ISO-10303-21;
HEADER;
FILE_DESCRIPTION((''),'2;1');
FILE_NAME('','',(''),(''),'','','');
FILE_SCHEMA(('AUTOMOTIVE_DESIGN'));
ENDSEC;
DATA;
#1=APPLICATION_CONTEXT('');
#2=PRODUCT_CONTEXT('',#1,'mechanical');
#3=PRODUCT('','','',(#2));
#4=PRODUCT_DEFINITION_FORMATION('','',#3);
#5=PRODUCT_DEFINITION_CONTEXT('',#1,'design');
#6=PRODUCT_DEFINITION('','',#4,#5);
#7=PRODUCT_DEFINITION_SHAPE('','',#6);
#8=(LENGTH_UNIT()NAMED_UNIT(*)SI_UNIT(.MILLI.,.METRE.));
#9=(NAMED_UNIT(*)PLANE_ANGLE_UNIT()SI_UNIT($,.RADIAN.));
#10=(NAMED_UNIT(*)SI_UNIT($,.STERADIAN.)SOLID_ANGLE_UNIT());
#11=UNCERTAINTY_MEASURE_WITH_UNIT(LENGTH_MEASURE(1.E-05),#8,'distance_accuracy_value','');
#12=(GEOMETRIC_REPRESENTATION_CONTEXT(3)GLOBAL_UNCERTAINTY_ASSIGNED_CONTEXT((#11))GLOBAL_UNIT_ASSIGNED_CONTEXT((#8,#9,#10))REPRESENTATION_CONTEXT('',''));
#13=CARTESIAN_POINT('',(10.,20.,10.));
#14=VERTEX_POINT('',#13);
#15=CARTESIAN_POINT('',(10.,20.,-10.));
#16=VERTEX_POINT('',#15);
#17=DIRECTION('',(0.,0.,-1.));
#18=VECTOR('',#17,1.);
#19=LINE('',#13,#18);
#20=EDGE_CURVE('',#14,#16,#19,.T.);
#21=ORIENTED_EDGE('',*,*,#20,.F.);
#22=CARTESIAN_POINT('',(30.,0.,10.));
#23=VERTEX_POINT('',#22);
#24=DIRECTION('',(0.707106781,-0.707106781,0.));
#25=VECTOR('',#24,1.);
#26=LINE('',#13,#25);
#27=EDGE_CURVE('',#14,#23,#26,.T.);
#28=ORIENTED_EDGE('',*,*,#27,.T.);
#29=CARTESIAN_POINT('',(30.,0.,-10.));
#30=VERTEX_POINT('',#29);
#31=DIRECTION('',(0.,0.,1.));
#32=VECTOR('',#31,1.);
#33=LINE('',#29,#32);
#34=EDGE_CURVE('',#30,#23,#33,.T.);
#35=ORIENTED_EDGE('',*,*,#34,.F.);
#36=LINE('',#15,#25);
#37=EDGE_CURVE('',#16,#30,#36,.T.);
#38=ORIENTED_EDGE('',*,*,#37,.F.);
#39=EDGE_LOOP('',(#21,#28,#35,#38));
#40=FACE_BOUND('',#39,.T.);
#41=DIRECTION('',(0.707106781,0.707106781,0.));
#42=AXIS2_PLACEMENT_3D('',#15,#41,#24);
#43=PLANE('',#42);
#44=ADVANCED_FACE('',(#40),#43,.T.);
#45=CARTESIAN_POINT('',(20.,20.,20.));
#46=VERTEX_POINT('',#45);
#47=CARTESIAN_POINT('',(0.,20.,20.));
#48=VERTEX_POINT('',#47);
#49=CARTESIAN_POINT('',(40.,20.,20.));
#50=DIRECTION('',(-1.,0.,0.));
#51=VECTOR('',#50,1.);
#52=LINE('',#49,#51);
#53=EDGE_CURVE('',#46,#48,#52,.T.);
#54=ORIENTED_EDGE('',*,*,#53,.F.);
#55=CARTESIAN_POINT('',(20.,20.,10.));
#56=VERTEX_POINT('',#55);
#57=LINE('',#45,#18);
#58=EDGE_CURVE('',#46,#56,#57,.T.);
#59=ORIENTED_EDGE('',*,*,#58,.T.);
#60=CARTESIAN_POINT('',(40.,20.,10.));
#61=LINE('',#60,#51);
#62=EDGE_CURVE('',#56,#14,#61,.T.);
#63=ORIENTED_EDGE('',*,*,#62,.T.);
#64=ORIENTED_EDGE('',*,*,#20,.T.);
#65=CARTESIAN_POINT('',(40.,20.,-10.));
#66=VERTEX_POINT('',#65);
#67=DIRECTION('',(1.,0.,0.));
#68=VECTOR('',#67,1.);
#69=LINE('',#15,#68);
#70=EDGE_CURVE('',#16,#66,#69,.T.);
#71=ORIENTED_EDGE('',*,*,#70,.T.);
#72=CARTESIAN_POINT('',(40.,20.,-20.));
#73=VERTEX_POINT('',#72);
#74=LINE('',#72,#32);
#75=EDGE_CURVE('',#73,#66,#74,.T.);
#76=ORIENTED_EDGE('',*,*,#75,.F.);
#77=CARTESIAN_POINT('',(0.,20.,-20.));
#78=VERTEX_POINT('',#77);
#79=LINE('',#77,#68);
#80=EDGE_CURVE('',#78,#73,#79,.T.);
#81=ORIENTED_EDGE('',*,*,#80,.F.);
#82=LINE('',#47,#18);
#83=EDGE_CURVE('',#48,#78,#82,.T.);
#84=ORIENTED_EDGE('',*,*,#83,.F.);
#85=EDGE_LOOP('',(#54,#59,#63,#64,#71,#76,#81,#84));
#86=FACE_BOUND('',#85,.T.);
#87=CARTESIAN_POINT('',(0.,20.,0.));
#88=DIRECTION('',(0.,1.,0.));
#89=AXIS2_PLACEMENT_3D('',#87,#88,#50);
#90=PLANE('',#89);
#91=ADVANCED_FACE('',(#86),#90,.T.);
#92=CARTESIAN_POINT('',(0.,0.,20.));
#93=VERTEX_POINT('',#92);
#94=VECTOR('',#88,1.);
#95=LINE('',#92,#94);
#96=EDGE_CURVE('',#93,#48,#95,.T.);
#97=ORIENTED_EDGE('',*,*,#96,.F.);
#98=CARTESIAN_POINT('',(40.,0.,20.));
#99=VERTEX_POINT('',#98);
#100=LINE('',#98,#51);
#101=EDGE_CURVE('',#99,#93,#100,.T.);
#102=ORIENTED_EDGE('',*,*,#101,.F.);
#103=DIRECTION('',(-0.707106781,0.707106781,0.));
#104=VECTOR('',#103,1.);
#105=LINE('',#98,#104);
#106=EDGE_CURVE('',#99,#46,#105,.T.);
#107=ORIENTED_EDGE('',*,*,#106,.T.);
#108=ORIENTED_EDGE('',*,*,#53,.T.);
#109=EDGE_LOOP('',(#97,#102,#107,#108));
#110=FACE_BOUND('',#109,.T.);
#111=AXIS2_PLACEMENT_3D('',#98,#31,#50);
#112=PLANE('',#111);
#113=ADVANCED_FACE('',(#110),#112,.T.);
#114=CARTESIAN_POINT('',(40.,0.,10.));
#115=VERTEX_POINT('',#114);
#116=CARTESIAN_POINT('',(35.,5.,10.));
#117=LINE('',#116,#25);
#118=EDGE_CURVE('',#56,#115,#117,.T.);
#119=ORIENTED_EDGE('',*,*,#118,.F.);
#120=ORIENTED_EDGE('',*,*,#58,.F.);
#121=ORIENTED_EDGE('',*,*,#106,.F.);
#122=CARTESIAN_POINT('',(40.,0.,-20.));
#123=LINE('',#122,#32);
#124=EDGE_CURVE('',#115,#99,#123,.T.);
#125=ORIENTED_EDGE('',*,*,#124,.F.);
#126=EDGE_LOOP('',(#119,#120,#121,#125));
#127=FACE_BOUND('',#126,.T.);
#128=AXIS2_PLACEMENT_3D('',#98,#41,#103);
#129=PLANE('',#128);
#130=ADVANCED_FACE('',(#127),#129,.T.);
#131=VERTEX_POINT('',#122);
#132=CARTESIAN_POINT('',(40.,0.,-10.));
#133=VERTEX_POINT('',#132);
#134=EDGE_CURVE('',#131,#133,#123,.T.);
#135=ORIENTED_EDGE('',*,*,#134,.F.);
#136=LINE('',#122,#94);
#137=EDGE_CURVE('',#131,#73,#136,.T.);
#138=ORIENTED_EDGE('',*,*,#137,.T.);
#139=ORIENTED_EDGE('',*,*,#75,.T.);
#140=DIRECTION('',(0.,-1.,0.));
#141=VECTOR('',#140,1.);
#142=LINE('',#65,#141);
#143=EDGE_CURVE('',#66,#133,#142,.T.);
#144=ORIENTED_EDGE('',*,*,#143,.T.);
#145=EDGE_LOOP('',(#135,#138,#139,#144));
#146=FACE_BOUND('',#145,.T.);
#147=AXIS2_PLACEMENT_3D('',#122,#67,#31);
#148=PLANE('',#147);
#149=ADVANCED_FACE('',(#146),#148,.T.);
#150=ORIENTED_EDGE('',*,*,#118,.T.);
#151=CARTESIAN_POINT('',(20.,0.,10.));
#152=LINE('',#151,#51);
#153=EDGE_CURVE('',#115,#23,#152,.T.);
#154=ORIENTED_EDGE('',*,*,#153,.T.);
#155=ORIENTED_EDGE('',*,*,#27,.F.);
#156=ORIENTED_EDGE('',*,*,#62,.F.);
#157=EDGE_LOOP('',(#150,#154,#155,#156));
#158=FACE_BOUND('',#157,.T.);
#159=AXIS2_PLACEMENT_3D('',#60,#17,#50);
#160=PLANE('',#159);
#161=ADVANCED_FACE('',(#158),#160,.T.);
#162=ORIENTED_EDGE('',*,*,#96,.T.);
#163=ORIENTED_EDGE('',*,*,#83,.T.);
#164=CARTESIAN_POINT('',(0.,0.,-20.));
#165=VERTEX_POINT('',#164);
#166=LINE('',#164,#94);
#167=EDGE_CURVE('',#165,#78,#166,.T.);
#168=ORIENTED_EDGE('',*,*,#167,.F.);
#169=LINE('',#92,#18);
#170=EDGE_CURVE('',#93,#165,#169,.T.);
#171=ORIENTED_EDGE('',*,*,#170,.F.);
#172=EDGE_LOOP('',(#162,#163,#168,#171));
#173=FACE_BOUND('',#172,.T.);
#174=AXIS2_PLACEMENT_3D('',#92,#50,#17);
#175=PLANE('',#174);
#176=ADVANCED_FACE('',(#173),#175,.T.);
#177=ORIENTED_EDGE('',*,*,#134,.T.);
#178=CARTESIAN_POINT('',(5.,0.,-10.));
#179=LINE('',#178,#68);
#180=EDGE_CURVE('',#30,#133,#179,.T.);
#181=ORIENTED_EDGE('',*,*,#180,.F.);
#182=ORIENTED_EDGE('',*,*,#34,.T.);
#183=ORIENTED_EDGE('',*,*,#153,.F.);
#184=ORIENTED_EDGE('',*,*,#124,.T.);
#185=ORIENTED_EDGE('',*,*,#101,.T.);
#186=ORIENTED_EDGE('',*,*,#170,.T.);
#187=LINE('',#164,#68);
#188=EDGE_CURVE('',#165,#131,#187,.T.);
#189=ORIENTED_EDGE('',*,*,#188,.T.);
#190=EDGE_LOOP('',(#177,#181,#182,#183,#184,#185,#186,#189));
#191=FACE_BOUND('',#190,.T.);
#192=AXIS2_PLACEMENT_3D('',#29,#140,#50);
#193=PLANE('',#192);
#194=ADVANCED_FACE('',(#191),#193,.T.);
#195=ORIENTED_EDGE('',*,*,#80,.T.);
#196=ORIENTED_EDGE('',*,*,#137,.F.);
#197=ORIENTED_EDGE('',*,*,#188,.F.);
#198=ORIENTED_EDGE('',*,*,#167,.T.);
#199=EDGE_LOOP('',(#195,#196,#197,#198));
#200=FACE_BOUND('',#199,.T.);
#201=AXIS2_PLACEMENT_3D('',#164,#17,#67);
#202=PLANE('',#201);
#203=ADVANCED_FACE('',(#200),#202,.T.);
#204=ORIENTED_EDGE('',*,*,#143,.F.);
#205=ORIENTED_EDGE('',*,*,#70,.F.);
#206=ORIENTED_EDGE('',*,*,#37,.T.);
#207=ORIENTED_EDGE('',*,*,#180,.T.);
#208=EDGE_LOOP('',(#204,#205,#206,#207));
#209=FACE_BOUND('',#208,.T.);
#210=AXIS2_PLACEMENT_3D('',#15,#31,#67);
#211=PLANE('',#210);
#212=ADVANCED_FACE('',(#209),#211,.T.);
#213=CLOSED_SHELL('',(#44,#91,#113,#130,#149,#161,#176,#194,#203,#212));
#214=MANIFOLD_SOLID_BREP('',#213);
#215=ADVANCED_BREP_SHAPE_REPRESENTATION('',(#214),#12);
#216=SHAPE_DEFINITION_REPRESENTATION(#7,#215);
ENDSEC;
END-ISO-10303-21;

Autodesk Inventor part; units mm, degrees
ref_plane "YZ Plane" through (0, 0, 0) normal (1, 0, 0) x (0, 1, 0)
ref_plane "XZ Plane" through (0, 0, 0) normal (0, 1, 0) x (-1, 0, 0)
ref_plane "XY Plane" through (0, 0, 0) normal (0, 0, 1) x (1, 0, 0)
sketch "草圖1" plane through (0, 0, 0) normal (0, 1, 0) x (-1, 0, 0)
  line L0 (0, -20) -> (-40, -20)
  line L1 (-40, -20) -> (-40, 20)
  line L2 (-40, 20) -> (0, 20)
  line L3 (0, 20) -> (0, -20)
  point P0 (0, 0)
  point P1 (0, 0)
  dimension "d0" = 40
  dimension "d1" = 40
extrude "擠出1" add sketch "草圖1" along normal blind 20
sketch "草圖2" plane through (0, 20, 0) normal (0, 1, 0) x (1, 0, 0)
  line L0 (0, 20) -> (40, 20) projected
  line L1 (40, 20) -> (40, -20) projected
  line L2 (40, -20) -> (0, -20) projected
  line L3 (0, -20) -> (0, 20) projected
  line L4 (10, 10) -> (40, 10)
  line L5 (40, 10) -> (40, -10)
  line L6 (40, -10) -> (10, -10)
  line L7 (10, -10) -> (10, 10)
  point P0 (0, 0)
  point P1 (40, 0)
  dimension "d4" = 20
  dimension "d5" = 30
extrude "擠出2" cut sketch "草圖2" against normal through all contours L1 L6 L7 L4
sketch "草圖3" plane through (0, 0, 20) normal (0, 0, 1) x (1, 0, 0)
  line L0 (40, 0) -> (0, 0) projected
  line L1 (0, 0) -> (0, 20) projected
  line L2 (0, 20) -> (40, 20) projected
  line L3 (40, 20) -> (40, 0) projected
  line L4 (40, 0) -> (40, 20) projected
  line L5 (40, 0) -> (20, 20)
  dimension "d8" = 20
extrude "擠出3" cut sketch "草圖3" against normal blind 13 contours L5 L2 L3
sketch "草圖4" plane through (10, 20, -10) normal (0, 0, 1) x (1, 0, 0)
  line L0 (-10, 0) -> (0, 0) projected
  line L1 (0, 0) -> (30, 0) projected
  line L2 (30, 0) -> (30, -20) projected
  line L3 (30, -20) -> (0, -20) projected
  line L4 (0, -20) -> (-10, -20) projected
  line L5 (-10, -20) -> (-10, 0) projected
  line L6 (0, 0) -> (0, -20) projected
  line L7 (0, 0) -> (20, -20)
  line L8 (30, -20) -> (-10, -20) projected
  dimension "d11" = 30
extrude "擠出4" add sketch "草圖4" along normal up to surface (20 mm away) contours L7 L3 L6
properties part number "48" material "鋼、碳鋼"
